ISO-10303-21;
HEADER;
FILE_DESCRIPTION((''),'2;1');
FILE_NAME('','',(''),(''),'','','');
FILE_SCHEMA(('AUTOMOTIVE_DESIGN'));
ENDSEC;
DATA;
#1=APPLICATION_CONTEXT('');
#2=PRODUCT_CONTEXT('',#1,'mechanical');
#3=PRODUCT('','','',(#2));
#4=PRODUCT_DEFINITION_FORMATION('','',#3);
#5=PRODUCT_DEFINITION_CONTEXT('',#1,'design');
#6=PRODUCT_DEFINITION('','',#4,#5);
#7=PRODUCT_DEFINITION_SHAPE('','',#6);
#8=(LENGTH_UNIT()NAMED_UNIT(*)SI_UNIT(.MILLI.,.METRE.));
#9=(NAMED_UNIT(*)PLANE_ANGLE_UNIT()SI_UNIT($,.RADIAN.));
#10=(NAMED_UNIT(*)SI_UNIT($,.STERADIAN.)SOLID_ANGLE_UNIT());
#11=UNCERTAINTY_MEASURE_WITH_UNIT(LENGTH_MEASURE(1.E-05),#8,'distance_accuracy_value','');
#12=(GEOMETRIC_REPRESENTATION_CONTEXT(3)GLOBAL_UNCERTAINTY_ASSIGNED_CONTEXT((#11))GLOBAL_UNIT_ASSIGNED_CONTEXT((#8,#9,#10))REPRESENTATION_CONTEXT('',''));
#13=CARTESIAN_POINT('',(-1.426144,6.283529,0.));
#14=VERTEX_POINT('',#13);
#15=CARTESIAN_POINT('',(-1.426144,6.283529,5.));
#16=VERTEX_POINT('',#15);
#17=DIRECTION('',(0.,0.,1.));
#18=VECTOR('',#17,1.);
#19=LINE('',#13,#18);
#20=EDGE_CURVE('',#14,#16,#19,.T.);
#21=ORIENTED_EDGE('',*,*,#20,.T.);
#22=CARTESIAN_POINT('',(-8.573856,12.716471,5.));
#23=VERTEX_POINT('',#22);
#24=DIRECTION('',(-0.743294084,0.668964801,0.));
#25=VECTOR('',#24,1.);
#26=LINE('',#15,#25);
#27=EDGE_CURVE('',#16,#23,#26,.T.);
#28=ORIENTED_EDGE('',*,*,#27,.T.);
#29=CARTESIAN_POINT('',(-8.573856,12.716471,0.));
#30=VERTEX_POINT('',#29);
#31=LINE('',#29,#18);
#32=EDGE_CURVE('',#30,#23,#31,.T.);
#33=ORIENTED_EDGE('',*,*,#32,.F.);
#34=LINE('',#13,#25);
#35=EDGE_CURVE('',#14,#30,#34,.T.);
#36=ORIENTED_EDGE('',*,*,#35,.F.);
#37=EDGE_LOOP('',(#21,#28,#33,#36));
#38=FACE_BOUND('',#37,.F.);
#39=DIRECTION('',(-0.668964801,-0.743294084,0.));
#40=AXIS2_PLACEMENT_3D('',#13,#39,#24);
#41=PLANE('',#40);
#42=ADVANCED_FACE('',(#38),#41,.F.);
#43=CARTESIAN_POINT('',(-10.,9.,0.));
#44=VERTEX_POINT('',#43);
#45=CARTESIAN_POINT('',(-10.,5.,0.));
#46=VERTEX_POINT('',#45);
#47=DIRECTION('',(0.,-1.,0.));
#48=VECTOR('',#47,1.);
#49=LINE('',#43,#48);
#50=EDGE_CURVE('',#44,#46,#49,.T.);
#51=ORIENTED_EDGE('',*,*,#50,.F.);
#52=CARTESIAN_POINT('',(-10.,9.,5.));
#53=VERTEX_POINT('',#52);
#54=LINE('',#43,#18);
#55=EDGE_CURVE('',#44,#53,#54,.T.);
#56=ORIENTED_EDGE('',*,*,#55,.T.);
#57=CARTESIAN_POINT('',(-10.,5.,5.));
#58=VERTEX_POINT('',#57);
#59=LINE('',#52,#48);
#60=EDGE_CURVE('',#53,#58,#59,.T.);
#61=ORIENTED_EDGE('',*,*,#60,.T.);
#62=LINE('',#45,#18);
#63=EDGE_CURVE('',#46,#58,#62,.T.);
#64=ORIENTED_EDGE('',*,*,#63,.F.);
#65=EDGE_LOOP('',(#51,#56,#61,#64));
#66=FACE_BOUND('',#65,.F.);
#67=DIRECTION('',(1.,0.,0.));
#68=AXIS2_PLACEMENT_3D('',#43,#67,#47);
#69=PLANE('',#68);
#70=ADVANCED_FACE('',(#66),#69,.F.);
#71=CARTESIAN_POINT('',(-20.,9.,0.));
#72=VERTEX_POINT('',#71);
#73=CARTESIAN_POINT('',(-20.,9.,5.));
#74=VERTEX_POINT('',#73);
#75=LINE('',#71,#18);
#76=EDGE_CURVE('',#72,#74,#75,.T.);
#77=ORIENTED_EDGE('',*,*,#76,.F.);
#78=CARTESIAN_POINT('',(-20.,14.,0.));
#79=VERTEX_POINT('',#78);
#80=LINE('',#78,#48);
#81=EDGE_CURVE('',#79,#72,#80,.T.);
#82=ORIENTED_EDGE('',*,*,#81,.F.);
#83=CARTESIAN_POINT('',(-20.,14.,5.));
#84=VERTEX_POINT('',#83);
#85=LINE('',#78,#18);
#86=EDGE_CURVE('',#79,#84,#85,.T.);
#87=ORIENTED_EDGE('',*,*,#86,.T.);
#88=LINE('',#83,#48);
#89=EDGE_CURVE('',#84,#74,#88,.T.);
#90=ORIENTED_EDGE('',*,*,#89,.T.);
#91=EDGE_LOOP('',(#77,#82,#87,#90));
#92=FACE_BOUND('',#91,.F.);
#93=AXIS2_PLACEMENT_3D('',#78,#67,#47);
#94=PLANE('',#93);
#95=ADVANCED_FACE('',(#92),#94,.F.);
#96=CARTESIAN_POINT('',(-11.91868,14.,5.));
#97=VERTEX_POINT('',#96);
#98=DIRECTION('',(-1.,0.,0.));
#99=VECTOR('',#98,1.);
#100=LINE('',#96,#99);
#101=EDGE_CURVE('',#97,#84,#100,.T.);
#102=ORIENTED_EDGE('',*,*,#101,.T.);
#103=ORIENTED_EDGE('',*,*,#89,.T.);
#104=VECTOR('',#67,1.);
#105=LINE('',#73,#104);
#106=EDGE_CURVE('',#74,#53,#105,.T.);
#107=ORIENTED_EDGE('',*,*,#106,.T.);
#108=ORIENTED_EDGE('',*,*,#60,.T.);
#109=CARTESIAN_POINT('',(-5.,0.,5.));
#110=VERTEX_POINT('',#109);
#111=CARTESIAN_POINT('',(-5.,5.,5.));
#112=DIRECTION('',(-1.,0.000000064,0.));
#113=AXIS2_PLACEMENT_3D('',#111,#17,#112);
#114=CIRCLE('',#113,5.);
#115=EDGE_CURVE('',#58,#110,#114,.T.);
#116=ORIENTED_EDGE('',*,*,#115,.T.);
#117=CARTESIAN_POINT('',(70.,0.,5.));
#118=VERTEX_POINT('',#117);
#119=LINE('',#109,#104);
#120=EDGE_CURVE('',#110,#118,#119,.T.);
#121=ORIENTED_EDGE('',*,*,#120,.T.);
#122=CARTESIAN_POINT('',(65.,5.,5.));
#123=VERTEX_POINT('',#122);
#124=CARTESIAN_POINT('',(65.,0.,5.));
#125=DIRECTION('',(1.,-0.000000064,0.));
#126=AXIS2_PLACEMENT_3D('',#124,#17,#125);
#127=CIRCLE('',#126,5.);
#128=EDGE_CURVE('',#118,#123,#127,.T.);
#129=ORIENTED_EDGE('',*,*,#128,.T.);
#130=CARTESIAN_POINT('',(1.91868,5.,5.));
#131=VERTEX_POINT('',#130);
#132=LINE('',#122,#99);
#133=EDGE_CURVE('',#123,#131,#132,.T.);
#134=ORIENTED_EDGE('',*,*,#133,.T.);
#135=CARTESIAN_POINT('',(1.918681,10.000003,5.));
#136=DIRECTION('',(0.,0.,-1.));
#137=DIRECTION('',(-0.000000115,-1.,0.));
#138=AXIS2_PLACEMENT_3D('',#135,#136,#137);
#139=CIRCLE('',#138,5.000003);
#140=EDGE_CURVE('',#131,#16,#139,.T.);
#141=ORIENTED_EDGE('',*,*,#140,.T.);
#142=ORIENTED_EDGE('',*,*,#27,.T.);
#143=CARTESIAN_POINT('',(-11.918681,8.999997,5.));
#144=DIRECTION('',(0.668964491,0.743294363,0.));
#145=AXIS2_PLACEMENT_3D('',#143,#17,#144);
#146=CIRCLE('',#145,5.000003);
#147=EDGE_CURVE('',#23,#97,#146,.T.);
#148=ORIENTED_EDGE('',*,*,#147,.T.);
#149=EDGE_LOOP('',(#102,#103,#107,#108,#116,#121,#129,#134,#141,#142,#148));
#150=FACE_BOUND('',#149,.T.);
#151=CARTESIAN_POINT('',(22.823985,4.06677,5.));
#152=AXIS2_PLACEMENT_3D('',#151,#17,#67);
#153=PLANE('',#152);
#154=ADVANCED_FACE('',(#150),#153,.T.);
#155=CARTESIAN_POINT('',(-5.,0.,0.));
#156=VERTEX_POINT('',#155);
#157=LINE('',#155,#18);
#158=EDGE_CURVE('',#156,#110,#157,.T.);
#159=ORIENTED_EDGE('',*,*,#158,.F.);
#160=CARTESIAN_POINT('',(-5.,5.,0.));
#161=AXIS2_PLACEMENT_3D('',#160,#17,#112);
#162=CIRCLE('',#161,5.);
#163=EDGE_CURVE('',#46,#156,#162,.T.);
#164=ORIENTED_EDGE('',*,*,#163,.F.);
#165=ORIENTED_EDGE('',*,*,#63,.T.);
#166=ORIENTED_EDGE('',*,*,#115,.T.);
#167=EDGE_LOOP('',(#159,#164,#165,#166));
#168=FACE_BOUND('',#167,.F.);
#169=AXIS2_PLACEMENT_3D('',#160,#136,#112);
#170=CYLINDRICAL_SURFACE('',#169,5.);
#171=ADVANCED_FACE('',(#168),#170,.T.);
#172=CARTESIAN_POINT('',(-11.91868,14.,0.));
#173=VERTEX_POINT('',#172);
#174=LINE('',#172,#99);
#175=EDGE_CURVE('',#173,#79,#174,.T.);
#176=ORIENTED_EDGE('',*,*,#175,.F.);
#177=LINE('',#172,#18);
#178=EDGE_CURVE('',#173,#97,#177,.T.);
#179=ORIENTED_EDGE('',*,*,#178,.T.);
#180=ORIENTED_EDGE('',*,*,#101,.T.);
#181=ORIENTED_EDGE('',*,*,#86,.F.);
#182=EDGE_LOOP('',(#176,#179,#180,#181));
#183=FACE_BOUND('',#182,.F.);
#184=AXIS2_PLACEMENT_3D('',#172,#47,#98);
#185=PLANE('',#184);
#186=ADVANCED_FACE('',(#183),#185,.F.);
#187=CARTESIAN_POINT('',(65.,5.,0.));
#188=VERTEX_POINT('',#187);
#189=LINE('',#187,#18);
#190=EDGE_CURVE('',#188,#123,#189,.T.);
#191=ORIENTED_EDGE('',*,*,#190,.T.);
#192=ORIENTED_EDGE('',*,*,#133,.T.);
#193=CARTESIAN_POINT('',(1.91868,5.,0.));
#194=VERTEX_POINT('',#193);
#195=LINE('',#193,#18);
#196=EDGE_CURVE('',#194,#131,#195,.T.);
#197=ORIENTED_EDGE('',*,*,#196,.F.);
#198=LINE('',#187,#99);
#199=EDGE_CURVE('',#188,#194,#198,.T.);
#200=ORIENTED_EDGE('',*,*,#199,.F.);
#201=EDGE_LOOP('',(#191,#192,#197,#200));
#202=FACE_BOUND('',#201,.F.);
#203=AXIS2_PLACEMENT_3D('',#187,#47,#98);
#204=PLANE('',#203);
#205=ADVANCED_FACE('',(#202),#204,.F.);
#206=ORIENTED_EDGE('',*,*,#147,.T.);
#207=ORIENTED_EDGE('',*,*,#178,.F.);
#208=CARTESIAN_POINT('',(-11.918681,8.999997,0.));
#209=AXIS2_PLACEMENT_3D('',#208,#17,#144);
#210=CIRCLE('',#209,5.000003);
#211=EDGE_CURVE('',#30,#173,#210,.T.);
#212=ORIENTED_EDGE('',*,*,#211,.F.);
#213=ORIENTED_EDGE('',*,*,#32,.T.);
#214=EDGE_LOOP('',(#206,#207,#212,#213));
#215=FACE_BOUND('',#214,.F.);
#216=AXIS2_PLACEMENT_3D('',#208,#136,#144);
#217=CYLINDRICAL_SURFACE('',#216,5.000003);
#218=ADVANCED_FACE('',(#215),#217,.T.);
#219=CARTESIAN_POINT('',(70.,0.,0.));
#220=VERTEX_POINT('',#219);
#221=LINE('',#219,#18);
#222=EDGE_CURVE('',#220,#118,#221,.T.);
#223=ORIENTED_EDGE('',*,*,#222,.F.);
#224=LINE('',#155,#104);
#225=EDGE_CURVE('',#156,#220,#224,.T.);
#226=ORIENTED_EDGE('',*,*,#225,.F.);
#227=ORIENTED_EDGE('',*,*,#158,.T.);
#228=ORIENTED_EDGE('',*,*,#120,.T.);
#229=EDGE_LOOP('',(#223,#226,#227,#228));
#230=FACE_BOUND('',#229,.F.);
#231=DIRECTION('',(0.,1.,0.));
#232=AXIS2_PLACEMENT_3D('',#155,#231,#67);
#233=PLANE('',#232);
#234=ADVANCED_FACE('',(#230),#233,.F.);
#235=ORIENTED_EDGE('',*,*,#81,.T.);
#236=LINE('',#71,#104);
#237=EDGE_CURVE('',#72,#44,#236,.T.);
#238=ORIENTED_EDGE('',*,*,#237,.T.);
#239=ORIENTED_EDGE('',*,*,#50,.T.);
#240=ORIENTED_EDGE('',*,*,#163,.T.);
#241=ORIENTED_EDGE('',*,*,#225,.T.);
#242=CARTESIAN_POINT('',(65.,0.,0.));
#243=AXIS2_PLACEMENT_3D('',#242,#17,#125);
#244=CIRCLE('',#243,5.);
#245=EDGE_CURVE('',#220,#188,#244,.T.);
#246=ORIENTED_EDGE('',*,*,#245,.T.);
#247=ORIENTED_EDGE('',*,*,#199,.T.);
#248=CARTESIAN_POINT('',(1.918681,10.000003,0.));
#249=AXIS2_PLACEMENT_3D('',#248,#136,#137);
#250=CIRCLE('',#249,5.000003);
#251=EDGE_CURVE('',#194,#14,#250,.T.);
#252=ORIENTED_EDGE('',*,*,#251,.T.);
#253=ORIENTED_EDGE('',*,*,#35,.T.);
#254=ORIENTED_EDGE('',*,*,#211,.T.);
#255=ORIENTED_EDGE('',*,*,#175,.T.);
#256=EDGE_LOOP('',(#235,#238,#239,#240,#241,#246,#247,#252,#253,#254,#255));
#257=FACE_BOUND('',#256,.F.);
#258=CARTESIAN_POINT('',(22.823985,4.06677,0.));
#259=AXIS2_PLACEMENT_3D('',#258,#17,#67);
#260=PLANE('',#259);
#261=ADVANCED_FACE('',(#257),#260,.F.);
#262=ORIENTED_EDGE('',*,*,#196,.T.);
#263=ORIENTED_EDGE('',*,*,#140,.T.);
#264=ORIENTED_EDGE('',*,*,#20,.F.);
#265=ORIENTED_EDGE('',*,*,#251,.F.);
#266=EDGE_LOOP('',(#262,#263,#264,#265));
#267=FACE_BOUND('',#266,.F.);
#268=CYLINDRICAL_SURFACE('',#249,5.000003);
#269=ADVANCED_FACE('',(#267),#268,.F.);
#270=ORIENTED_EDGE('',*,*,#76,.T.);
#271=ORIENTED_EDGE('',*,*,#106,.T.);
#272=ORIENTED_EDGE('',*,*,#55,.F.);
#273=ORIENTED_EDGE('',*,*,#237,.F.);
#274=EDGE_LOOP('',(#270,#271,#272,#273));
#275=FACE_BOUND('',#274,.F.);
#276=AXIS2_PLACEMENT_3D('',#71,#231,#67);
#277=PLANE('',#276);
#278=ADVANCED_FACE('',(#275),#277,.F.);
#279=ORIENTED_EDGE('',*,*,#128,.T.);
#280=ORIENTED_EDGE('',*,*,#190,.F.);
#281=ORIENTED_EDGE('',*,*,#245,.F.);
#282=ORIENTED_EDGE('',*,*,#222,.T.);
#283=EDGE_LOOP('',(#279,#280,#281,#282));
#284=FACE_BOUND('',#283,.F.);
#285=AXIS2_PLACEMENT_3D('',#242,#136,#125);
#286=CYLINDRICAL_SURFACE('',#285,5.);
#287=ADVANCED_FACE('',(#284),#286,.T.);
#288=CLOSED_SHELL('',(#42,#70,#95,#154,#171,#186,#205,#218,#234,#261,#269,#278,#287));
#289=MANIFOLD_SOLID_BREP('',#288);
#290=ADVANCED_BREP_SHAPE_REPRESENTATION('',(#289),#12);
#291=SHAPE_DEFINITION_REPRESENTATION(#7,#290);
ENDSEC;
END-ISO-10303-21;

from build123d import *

# Parameters (mm, degrees)
F1_DEPTH = 5


with BuildPart() as f1:
    # F0 (on Top) → F1 (new body)
    with BuildSketch(Plane.XY):
        with BuildLine():
            Line((-11.91868, 14), (-20, 14))
            Line((-20, 14), (-20, 9))
            Line((-20, 9), (-10, 9))
            Line((-10, 9), (-10, 5))
            ThreePointArc((-10, 5), (-8.535534, 1.464466), (-5, 0))
            Line((-5, 0), (0, 0))
            Line((0, 0), (70, 0))
            ThreePointArc((70, 0), (68.535534, 3.535534), (65, 5))
            Line((65, 5), (1.91868, 5))
            ThreePointArc((1.91868, 5), (0.127361, 5.331898), (-1.426144, 6.283529))
            Line((-1.426144, 6.283529), (-8.573856, 12.716471))
            ThreePointArc((-8.573856, 12.716471), (-10.127361, 13.668102), (-11.91868, 14))
        make_face()
    extrude(amount=F1_DEPTH)


solid = f1.part
